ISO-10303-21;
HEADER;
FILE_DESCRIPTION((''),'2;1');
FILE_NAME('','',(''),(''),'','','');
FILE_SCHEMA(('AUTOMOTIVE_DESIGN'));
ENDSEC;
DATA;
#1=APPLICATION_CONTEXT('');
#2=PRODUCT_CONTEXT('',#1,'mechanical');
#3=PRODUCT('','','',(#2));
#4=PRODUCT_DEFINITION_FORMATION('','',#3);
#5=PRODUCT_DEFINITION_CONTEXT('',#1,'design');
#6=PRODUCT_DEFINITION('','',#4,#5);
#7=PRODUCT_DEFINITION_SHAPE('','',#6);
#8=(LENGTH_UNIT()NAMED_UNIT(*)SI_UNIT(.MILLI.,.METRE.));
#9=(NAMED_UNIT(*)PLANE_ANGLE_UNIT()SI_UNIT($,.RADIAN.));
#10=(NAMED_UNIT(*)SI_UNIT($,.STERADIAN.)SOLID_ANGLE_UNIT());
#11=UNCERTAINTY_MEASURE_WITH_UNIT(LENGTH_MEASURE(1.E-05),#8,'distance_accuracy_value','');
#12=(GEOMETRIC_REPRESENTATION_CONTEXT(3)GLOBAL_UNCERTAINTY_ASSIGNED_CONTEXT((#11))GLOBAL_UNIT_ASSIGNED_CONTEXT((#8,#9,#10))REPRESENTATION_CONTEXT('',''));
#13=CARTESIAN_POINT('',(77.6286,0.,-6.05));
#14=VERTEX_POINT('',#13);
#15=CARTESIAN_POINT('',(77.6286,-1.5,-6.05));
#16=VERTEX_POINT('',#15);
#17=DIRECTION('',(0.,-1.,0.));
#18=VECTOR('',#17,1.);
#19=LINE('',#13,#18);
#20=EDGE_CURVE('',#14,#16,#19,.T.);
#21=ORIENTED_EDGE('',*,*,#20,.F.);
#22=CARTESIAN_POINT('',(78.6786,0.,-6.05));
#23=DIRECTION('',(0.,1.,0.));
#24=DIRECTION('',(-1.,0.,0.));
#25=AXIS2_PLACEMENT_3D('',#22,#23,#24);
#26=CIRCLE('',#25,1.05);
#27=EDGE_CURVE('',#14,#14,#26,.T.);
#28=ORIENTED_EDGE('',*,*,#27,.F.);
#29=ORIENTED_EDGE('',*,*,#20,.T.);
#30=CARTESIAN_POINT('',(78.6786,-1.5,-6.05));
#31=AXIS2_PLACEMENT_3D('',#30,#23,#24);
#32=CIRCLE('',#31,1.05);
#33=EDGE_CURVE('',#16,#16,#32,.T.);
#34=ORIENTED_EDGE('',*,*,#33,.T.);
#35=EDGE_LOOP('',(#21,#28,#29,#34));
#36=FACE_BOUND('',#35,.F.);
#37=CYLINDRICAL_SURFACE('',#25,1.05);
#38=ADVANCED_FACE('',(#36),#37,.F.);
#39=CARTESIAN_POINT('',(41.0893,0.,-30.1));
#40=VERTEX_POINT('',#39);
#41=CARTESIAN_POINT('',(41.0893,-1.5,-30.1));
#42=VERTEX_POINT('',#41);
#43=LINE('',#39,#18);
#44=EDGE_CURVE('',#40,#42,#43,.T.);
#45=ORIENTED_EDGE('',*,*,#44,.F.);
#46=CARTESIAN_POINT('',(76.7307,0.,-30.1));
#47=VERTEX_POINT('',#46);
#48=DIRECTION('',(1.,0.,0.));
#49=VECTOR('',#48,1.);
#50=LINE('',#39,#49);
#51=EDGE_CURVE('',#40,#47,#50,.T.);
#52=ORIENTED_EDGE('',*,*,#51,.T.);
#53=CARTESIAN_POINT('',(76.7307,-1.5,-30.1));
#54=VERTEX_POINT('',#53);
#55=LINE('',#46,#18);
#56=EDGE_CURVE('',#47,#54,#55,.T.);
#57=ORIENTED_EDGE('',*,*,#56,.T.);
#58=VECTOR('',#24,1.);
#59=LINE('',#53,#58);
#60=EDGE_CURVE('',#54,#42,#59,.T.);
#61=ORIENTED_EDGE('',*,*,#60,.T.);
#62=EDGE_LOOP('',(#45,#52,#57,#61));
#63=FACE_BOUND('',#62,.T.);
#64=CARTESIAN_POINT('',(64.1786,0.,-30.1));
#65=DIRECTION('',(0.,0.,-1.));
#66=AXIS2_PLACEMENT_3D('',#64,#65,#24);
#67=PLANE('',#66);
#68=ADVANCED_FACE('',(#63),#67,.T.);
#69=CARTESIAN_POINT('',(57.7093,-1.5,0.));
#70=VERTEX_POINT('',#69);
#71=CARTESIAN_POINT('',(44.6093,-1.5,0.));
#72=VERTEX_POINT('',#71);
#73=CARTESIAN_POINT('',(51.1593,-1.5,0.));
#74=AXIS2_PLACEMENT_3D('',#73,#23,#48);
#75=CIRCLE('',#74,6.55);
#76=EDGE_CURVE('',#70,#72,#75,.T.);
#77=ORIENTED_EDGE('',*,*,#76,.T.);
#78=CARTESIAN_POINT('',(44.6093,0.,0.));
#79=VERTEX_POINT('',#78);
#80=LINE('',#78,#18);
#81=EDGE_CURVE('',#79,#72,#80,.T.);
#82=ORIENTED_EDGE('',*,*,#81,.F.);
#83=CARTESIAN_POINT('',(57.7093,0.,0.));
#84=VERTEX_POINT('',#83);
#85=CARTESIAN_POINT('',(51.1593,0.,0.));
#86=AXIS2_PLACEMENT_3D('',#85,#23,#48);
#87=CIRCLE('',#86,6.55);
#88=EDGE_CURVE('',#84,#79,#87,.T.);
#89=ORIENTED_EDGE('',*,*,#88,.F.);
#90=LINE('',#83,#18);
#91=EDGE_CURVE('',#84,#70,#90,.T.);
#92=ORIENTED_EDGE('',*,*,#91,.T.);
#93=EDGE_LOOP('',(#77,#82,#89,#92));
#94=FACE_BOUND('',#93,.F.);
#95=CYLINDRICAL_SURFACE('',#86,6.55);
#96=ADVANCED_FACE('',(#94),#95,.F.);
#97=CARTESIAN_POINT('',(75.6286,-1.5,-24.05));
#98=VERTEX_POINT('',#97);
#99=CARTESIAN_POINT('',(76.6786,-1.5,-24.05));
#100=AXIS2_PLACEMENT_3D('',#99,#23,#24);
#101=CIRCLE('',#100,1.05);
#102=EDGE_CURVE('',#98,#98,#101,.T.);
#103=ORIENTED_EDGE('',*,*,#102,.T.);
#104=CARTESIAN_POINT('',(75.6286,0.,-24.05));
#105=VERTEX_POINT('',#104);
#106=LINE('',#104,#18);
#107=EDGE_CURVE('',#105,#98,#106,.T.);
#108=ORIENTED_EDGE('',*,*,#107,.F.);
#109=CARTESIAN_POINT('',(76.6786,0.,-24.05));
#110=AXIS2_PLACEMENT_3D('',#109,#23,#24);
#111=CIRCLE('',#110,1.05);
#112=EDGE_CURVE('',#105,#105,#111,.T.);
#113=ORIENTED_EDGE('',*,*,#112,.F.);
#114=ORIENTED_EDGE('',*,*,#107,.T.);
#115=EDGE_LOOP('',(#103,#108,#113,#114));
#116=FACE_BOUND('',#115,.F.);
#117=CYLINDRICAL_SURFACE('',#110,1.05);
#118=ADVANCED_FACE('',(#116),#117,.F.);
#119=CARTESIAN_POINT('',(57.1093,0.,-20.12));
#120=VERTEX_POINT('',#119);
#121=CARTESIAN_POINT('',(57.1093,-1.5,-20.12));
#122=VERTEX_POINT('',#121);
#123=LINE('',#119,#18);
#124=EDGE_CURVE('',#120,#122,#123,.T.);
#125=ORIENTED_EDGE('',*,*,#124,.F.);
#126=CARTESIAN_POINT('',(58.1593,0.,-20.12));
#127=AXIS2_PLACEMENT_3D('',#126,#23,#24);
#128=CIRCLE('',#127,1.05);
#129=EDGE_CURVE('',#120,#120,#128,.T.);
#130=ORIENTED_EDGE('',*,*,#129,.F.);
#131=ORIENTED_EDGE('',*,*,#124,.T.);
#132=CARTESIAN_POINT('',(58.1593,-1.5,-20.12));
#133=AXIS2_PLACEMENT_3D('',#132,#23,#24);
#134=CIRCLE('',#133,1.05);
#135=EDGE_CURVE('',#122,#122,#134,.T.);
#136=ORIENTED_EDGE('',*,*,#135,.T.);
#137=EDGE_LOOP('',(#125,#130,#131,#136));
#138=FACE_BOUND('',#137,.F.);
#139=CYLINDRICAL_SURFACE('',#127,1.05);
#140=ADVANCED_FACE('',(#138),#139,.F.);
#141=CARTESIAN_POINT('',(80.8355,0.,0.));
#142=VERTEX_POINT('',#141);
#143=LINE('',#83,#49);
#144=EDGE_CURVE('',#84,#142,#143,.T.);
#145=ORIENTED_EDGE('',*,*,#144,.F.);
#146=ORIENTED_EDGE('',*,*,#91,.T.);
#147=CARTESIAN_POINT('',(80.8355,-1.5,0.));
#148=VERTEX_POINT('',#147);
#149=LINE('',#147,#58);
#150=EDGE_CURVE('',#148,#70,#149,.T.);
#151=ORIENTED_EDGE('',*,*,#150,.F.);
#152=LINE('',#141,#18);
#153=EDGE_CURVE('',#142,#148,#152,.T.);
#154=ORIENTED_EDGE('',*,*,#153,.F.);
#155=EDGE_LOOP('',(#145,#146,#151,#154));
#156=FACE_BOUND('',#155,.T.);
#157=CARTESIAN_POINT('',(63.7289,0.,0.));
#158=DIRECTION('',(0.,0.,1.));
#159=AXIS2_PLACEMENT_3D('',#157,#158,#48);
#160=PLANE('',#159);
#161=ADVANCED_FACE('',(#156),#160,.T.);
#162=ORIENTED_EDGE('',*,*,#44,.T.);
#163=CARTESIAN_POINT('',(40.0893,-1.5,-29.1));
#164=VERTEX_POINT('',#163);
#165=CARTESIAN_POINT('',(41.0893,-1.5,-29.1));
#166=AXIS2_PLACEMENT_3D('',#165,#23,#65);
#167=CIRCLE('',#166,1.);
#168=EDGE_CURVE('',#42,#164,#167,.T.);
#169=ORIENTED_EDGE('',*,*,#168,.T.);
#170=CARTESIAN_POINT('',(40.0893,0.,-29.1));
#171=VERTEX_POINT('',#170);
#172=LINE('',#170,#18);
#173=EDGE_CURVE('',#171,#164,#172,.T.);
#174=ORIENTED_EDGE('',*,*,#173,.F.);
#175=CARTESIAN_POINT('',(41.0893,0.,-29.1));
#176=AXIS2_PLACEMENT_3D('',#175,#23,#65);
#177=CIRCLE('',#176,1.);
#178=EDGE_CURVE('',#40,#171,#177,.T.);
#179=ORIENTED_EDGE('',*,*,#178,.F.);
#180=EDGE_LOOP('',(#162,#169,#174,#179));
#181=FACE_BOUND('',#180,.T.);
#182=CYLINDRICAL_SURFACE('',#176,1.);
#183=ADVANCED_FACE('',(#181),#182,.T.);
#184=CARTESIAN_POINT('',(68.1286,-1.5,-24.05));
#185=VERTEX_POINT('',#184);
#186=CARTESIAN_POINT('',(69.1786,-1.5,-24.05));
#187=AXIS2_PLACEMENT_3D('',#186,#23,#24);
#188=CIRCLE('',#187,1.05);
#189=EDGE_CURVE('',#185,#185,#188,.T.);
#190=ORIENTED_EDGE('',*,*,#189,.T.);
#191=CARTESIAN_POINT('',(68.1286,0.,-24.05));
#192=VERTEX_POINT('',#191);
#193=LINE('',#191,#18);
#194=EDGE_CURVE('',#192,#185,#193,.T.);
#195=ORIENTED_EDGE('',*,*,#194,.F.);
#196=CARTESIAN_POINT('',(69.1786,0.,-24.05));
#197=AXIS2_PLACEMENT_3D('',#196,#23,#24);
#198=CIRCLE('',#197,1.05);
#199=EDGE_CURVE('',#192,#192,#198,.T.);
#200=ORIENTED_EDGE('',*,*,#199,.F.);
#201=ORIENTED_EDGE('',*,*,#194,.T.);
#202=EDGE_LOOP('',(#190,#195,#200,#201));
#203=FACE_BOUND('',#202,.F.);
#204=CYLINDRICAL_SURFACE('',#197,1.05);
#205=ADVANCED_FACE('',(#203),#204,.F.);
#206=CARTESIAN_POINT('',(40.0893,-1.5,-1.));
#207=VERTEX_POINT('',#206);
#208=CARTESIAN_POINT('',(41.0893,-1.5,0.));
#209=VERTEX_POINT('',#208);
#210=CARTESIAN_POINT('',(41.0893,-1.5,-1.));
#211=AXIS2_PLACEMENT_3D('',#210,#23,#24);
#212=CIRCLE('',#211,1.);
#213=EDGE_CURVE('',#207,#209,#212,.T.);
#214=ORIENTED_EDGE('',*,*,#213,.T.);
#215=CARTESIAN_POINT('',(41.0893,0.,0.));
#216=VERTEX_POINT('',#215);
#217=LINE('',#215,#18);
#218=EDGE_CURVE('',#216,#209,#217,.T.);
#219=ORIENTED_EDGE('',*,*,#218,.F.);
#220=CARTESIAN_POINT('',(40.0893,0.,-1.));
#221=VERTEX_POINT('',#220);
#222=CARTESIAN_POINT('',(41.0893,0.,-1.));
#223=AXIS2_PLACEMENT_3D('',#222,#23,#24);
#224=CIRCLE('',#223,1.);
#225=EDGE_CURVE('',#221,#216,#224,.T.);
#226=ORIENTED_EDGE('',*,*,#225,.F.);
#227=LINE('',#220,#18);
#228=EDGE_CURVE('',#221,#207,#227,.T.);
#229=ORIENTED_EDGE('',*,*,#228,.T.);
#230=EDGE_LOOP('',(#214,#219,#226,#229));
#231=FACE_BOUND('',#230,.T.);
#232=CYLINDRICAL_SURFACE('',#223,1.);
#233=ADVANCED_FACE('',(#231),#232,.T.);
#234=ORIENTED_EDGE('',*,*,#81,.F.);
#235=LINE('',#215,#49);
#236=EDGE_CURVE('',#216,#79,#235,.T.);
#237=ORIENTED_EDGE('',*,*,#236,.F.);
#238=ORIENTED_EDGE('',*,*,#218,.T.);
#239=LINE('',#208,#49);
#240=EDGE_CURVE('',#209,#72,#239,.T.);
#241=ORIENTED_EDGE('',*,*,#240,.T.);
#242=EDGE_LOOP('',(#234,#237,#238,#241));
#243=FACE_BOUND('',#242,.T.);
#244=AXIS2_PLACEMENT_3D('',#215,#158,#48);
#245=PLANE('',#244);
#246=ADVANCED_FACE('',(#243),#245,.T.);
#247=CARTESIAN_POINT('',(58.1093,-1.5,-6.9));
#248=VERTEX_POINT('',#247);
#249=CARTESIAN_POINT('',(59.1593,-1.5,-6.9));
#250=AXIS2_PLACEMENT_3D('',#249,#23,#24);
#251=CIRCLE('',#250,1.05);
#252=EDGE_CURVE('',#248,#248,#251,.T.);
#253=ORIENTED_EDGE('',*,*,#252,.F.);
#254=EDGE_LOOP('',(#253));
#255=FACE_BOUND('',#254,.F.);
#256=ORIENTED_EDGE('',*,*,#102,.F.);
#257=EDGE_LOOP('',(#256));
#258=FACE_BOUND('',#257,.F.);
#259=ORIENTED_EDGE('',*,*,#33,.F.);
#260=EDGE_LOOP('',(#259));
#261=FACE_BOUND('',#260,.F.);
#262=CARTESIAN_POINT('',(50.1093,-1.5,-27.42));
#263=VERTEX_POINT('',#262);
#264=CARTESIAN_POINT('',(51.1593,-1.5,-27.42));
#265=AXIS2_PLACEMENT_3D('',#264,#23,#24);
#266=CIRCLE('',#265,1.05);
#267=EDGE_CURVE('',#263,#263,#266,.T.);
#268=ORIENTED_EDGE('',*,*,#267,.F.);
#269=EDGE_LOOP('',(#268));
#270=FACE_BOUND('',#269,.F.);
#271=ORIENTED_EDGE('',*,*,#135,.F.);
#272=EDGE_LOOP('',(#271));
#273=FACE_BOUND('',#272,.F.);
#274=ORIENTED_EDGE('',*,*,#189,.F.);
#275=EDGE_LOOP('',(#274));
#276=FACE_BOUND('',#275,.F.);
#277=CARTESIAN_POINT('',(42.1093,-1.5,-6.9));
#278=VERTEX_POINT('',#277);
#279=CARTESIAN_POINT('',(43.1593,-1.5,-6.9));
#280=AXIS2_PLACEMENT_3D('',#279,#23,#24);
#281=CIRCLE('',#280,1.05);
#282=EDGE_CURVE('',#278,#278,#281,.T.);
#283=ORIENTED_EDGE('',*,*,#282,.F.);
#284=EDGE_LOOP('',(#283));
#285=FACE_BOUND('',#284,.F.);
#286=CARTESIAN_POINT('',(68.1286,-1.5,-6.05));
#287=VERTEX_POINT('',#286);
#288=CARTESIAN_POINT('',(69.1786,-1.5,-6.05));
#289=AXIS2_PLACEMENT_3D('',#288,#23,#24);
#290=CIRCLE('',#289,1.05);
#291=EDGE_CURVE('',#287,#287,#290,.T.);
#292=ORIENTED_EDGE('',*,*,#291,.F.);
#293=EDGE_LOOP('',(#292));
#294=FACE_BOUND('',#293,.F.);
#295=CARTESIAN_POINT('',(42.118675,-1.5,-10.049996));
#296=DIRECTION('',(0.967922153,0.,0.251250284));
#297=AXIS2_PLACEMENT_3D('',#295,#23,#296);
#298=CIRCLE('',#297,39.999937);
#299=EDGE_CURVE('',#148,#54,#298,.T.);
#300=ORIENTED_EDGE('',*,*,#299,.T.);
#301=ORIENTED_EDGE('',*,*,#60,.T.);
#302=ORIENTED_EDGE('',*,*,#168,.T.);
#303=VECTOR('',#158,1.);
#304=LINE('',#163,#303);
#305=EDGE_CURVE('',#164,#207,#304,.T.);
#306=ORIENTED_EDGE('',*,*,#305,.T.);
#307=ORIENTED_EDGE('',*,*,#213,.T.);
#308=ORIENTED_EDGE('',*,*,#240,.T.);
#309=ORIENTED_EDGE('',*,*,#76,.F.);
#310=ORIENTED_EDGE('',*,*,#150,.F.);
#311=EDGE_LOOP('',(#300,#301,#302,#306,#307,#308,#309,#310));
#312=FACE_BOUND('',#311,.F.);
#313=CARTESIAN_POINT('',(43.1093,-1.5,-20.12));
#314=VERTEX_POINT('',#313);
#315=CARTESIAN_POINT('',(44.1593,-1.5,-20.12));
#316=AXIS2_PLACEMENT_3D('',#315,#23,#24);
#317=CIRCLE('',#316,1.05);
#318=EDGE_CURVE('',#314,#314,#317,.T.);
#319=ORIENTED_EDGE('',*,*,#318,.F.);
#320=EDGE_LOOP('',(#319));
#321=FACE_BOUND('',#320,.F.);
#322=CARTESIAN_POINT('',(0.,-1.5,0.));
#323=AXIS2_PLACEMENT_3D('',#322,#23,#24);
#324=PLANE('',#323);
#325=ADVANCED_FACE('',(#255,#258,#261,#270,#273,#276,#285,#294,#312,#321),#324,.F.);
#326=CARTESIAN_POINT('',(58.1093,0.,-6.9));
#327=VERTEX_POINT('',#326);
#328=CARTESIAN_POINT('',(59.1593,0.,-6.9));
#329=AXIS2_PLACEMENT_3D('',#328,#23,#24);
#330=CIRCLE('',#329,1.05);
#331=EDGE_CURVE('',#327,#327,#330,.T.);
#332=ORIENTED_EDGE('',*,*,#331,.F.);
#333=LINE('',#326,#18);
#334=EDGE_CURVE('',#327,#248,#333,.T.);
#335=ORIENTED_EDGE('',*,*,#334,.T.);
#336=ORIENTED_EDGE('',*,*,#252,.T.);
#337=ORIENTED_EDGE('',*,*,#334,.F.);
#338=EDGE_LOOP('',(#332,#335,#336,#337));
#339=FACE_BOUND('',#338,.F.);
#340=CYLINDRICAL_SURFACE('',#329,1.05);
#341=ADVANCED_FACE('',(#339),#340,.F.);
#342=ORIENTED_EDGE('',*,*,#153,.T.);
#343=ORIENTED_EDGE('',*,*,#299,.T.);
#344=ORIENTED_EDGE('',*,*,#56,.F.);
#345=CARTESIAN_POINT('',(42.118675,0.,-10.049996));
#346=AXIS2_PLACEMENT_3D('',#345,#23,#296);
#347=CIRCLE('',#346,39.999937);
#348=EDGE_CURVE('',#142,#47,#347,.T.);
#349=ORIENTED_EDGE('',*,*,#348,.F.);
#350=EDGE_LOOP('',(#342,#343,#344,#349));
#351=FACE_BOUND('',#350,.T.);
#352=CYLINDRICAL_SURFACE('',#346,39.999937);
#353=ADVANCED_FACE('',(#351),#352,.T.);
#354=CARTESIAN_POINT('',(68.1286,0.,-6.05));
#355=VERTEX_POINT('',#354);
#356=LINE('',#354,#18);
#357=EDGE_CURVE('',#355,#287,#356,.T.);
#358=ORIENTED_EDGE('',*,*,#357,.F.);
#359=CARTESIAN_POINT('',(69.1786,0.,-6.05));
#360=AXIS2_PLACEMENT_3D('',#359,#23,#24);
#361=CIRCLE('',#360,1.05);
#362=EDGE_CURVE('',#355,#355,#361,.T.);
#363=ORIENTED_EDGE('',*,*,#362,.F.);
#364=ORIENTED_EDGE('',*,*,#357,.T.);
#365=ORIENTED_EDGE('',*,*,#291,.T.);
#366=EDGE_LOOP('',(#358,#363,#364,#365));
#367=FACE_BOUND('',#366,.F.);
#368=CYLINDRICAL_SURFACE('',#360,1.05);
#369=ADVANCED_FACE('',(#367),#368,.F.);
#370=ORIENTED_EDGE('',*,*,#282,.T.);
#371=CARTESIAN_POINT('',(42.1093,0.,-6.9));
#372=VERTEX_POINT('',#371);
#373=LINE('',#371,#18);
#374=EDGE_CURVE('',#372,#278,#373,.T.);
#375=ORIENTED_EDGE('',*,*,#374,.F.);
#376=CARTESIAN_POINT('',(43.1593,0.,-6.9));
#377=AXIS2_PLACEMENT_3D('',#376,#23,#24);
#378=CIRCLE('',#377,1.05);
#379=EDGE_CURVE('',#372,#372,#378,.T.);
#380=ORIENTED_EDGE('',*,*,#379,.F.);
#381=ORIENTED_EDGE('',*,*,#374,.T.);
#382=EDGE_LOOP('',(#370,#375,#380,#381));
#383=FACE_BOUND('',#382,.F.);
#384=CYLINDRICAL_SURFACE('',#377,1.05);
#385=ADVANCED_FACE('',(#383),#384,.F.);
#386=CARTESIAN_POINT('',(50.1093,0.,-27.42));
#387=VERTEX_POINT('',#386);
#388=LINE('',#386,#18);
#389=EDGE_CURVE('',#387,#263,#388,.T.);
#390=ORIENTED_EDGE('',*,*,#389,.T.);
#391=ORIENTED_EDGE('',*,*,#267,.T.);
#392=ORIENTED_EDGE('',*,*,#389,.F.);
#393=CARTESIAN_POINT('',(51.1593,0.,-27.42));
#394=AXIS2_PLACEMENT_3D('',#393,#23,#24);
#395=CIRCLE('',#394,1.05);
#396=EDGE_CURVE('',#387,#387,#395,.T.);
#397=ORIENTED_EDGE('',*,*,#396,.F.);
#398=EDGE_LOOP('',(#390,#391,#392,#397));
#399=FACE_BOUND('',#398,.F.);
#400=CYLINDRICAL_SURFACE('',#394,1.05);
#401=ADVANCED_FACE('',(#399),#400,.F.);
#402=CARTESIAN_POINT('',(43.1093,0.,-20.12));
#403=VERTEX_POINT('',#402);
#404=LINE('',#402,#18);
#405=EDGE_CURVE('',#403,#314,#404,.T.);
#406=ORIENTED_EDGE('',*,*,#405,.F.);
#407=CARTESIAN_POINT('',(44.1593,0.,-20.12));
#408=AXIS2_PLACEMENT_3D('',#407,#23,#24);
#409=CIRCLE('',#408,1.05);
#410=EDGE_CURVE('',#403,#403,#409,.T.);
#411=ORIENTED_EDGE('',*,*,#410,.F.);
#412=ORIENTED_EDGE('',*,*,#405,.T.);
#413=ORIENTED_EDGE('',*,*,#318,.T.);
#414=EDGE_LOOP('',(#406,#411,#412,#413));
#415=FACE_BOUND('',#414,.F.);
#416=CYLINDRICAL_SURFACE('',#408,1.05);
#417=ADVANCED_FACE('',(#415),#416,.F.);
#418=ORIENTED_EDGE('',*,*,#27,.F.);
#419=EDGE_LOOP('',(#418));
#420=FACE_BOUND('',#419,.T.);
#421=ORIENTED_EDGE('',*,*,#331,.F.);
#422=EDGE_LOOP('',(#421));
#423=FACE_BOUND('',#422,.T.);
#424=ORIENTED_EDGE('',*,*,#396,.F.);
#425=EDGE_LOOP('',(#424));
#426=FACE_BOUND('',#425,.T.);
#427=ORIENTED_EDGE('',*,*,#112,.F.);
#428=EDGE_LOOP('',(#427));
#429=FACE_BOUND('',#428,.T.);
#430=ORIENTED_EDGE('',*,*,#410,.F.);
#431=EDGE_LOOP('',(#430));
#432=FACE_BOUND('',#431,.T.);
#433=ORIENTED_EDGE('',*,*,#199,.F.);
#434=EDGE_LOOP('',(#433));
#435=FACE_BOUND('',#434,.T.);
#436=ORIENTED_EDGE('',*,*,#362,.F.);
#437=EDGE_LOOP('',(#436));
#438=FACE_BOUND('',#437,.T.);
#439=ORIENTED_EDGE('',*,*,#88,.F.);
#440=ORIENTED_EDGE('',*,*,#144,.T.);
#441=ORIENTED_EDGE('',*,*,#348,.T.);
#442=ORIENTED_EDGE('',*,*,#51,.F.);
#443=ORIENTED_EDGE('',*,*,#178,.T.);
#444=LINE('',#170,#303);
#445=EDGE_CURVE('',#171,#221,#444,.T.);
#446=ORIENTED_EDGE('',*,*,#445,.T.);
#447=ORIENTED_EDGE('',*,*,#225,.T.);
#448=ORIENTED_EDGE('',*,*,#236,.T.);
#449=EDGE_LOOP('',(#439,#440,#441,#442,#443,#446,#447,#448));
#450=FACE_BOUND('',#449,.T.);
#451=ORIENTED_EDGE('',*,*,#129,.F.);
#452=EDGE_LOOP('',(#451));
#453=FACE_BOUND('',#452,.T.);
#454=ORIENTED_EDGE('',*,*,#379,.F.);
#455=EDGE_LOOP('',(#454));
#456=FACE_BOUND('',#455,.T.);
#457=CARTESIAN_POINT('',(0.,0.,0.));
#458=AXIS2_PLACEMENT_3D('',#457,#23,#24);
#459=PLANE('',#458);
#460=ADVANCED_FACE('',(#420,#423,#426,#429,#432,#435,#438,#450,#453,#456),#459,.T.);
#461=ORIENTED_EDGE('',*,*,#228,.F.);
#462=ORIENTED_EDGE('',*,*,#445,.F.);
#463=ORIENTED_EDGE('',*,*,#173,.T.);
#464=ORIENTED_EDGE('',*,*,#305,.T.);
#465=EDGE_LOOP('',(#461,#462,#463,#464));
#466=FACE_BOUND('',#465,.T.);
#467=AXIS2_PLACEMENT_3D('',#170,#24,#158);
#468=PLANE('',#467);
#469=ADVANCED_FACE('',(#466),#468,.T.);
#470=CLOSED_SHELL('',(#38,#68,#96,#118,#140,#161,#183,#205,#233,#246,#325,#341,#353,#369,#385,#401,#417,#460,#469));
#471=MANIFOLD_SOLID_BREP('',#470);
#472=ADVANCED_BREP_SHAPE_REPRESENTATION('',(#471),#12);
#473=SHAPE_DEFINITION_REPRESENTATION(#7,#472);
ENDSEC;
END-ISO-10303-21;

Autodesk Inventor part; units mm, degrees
ref_plane "YZ Plane" through (0, 0, 0) normal (1, 0, 0) x (0, 1, 0)
ref_plane "XZ Plane" through (0, 0, 0) normal (0, 1, 0) x (-1, 0, 0)
ref_plane "XY Plane" through (0, 0, 0) normal (0, 0, 1) x (1, 0, 0)
sketch "Sketch1" plane through (0, 0, 0) normal (0, 1, 0) x (-1, 0, 0)
  line L0 (-63.7289, -30.1) -> (-63.7289, 0)
  circle A0 centre (-78.6786, -6.05) radius 1.05
  circle A1 centre (-76.6786, -24.05) radius 1.05
  circle A2 centre (-69.1786, -24.05) radius 1.05
  circle A3 centre (-69.1786, -6.05) radius 1.05
  circle A4 centre (-43.1593, -6.9) radius 1.05
  circle A5 centre (-44.1593, -20.12) radius 1.05
  circle A6 centre (-51.1593, -27.42) radius 1.05
  circle A7 centre (-58.1593, -20.12) radius 1.05
  circle A8 centre (-59.1593, -6.9) radius 1.05
  arc A9 (-40.0893, -1) -> (-41.0893, 0) centre (-41.0893, -1) ccw
  line L1 (-40.0893, -29.1) -> (-40.0893, -1)
  arc A10 (-41.0893, -30.1) -> (-40.0893, -29.1) centre (-41.0893, -29.1) ccw
  arc A11 (-80.8355, 0) -> (-76.7307, -30.1) centre (-42.1186, -10.05) ccw
  line L2 (-57.7093, 0) -> (-80.8355, 0)
  line L3 (-76.7307, -30.1) -> (-41.0893, -30.1)
  arc A12 (-57.7093, 0) -> (-44.6093, 0) centre (-51.1593, 0) ccw
  line L4 (-41.0893, 0) -> (-44.6093, 0)
  line L5 (-63.2793, -30.1) -> (-63.2793, 0)
  line L6 (-64.1786, 0) -> (-64.1786, -30.1)
extrude "Extrusion1" add sketch "Sketch1" against normal blind 1.5
properties part number "axis_2_bottom_L_frame(top)"
